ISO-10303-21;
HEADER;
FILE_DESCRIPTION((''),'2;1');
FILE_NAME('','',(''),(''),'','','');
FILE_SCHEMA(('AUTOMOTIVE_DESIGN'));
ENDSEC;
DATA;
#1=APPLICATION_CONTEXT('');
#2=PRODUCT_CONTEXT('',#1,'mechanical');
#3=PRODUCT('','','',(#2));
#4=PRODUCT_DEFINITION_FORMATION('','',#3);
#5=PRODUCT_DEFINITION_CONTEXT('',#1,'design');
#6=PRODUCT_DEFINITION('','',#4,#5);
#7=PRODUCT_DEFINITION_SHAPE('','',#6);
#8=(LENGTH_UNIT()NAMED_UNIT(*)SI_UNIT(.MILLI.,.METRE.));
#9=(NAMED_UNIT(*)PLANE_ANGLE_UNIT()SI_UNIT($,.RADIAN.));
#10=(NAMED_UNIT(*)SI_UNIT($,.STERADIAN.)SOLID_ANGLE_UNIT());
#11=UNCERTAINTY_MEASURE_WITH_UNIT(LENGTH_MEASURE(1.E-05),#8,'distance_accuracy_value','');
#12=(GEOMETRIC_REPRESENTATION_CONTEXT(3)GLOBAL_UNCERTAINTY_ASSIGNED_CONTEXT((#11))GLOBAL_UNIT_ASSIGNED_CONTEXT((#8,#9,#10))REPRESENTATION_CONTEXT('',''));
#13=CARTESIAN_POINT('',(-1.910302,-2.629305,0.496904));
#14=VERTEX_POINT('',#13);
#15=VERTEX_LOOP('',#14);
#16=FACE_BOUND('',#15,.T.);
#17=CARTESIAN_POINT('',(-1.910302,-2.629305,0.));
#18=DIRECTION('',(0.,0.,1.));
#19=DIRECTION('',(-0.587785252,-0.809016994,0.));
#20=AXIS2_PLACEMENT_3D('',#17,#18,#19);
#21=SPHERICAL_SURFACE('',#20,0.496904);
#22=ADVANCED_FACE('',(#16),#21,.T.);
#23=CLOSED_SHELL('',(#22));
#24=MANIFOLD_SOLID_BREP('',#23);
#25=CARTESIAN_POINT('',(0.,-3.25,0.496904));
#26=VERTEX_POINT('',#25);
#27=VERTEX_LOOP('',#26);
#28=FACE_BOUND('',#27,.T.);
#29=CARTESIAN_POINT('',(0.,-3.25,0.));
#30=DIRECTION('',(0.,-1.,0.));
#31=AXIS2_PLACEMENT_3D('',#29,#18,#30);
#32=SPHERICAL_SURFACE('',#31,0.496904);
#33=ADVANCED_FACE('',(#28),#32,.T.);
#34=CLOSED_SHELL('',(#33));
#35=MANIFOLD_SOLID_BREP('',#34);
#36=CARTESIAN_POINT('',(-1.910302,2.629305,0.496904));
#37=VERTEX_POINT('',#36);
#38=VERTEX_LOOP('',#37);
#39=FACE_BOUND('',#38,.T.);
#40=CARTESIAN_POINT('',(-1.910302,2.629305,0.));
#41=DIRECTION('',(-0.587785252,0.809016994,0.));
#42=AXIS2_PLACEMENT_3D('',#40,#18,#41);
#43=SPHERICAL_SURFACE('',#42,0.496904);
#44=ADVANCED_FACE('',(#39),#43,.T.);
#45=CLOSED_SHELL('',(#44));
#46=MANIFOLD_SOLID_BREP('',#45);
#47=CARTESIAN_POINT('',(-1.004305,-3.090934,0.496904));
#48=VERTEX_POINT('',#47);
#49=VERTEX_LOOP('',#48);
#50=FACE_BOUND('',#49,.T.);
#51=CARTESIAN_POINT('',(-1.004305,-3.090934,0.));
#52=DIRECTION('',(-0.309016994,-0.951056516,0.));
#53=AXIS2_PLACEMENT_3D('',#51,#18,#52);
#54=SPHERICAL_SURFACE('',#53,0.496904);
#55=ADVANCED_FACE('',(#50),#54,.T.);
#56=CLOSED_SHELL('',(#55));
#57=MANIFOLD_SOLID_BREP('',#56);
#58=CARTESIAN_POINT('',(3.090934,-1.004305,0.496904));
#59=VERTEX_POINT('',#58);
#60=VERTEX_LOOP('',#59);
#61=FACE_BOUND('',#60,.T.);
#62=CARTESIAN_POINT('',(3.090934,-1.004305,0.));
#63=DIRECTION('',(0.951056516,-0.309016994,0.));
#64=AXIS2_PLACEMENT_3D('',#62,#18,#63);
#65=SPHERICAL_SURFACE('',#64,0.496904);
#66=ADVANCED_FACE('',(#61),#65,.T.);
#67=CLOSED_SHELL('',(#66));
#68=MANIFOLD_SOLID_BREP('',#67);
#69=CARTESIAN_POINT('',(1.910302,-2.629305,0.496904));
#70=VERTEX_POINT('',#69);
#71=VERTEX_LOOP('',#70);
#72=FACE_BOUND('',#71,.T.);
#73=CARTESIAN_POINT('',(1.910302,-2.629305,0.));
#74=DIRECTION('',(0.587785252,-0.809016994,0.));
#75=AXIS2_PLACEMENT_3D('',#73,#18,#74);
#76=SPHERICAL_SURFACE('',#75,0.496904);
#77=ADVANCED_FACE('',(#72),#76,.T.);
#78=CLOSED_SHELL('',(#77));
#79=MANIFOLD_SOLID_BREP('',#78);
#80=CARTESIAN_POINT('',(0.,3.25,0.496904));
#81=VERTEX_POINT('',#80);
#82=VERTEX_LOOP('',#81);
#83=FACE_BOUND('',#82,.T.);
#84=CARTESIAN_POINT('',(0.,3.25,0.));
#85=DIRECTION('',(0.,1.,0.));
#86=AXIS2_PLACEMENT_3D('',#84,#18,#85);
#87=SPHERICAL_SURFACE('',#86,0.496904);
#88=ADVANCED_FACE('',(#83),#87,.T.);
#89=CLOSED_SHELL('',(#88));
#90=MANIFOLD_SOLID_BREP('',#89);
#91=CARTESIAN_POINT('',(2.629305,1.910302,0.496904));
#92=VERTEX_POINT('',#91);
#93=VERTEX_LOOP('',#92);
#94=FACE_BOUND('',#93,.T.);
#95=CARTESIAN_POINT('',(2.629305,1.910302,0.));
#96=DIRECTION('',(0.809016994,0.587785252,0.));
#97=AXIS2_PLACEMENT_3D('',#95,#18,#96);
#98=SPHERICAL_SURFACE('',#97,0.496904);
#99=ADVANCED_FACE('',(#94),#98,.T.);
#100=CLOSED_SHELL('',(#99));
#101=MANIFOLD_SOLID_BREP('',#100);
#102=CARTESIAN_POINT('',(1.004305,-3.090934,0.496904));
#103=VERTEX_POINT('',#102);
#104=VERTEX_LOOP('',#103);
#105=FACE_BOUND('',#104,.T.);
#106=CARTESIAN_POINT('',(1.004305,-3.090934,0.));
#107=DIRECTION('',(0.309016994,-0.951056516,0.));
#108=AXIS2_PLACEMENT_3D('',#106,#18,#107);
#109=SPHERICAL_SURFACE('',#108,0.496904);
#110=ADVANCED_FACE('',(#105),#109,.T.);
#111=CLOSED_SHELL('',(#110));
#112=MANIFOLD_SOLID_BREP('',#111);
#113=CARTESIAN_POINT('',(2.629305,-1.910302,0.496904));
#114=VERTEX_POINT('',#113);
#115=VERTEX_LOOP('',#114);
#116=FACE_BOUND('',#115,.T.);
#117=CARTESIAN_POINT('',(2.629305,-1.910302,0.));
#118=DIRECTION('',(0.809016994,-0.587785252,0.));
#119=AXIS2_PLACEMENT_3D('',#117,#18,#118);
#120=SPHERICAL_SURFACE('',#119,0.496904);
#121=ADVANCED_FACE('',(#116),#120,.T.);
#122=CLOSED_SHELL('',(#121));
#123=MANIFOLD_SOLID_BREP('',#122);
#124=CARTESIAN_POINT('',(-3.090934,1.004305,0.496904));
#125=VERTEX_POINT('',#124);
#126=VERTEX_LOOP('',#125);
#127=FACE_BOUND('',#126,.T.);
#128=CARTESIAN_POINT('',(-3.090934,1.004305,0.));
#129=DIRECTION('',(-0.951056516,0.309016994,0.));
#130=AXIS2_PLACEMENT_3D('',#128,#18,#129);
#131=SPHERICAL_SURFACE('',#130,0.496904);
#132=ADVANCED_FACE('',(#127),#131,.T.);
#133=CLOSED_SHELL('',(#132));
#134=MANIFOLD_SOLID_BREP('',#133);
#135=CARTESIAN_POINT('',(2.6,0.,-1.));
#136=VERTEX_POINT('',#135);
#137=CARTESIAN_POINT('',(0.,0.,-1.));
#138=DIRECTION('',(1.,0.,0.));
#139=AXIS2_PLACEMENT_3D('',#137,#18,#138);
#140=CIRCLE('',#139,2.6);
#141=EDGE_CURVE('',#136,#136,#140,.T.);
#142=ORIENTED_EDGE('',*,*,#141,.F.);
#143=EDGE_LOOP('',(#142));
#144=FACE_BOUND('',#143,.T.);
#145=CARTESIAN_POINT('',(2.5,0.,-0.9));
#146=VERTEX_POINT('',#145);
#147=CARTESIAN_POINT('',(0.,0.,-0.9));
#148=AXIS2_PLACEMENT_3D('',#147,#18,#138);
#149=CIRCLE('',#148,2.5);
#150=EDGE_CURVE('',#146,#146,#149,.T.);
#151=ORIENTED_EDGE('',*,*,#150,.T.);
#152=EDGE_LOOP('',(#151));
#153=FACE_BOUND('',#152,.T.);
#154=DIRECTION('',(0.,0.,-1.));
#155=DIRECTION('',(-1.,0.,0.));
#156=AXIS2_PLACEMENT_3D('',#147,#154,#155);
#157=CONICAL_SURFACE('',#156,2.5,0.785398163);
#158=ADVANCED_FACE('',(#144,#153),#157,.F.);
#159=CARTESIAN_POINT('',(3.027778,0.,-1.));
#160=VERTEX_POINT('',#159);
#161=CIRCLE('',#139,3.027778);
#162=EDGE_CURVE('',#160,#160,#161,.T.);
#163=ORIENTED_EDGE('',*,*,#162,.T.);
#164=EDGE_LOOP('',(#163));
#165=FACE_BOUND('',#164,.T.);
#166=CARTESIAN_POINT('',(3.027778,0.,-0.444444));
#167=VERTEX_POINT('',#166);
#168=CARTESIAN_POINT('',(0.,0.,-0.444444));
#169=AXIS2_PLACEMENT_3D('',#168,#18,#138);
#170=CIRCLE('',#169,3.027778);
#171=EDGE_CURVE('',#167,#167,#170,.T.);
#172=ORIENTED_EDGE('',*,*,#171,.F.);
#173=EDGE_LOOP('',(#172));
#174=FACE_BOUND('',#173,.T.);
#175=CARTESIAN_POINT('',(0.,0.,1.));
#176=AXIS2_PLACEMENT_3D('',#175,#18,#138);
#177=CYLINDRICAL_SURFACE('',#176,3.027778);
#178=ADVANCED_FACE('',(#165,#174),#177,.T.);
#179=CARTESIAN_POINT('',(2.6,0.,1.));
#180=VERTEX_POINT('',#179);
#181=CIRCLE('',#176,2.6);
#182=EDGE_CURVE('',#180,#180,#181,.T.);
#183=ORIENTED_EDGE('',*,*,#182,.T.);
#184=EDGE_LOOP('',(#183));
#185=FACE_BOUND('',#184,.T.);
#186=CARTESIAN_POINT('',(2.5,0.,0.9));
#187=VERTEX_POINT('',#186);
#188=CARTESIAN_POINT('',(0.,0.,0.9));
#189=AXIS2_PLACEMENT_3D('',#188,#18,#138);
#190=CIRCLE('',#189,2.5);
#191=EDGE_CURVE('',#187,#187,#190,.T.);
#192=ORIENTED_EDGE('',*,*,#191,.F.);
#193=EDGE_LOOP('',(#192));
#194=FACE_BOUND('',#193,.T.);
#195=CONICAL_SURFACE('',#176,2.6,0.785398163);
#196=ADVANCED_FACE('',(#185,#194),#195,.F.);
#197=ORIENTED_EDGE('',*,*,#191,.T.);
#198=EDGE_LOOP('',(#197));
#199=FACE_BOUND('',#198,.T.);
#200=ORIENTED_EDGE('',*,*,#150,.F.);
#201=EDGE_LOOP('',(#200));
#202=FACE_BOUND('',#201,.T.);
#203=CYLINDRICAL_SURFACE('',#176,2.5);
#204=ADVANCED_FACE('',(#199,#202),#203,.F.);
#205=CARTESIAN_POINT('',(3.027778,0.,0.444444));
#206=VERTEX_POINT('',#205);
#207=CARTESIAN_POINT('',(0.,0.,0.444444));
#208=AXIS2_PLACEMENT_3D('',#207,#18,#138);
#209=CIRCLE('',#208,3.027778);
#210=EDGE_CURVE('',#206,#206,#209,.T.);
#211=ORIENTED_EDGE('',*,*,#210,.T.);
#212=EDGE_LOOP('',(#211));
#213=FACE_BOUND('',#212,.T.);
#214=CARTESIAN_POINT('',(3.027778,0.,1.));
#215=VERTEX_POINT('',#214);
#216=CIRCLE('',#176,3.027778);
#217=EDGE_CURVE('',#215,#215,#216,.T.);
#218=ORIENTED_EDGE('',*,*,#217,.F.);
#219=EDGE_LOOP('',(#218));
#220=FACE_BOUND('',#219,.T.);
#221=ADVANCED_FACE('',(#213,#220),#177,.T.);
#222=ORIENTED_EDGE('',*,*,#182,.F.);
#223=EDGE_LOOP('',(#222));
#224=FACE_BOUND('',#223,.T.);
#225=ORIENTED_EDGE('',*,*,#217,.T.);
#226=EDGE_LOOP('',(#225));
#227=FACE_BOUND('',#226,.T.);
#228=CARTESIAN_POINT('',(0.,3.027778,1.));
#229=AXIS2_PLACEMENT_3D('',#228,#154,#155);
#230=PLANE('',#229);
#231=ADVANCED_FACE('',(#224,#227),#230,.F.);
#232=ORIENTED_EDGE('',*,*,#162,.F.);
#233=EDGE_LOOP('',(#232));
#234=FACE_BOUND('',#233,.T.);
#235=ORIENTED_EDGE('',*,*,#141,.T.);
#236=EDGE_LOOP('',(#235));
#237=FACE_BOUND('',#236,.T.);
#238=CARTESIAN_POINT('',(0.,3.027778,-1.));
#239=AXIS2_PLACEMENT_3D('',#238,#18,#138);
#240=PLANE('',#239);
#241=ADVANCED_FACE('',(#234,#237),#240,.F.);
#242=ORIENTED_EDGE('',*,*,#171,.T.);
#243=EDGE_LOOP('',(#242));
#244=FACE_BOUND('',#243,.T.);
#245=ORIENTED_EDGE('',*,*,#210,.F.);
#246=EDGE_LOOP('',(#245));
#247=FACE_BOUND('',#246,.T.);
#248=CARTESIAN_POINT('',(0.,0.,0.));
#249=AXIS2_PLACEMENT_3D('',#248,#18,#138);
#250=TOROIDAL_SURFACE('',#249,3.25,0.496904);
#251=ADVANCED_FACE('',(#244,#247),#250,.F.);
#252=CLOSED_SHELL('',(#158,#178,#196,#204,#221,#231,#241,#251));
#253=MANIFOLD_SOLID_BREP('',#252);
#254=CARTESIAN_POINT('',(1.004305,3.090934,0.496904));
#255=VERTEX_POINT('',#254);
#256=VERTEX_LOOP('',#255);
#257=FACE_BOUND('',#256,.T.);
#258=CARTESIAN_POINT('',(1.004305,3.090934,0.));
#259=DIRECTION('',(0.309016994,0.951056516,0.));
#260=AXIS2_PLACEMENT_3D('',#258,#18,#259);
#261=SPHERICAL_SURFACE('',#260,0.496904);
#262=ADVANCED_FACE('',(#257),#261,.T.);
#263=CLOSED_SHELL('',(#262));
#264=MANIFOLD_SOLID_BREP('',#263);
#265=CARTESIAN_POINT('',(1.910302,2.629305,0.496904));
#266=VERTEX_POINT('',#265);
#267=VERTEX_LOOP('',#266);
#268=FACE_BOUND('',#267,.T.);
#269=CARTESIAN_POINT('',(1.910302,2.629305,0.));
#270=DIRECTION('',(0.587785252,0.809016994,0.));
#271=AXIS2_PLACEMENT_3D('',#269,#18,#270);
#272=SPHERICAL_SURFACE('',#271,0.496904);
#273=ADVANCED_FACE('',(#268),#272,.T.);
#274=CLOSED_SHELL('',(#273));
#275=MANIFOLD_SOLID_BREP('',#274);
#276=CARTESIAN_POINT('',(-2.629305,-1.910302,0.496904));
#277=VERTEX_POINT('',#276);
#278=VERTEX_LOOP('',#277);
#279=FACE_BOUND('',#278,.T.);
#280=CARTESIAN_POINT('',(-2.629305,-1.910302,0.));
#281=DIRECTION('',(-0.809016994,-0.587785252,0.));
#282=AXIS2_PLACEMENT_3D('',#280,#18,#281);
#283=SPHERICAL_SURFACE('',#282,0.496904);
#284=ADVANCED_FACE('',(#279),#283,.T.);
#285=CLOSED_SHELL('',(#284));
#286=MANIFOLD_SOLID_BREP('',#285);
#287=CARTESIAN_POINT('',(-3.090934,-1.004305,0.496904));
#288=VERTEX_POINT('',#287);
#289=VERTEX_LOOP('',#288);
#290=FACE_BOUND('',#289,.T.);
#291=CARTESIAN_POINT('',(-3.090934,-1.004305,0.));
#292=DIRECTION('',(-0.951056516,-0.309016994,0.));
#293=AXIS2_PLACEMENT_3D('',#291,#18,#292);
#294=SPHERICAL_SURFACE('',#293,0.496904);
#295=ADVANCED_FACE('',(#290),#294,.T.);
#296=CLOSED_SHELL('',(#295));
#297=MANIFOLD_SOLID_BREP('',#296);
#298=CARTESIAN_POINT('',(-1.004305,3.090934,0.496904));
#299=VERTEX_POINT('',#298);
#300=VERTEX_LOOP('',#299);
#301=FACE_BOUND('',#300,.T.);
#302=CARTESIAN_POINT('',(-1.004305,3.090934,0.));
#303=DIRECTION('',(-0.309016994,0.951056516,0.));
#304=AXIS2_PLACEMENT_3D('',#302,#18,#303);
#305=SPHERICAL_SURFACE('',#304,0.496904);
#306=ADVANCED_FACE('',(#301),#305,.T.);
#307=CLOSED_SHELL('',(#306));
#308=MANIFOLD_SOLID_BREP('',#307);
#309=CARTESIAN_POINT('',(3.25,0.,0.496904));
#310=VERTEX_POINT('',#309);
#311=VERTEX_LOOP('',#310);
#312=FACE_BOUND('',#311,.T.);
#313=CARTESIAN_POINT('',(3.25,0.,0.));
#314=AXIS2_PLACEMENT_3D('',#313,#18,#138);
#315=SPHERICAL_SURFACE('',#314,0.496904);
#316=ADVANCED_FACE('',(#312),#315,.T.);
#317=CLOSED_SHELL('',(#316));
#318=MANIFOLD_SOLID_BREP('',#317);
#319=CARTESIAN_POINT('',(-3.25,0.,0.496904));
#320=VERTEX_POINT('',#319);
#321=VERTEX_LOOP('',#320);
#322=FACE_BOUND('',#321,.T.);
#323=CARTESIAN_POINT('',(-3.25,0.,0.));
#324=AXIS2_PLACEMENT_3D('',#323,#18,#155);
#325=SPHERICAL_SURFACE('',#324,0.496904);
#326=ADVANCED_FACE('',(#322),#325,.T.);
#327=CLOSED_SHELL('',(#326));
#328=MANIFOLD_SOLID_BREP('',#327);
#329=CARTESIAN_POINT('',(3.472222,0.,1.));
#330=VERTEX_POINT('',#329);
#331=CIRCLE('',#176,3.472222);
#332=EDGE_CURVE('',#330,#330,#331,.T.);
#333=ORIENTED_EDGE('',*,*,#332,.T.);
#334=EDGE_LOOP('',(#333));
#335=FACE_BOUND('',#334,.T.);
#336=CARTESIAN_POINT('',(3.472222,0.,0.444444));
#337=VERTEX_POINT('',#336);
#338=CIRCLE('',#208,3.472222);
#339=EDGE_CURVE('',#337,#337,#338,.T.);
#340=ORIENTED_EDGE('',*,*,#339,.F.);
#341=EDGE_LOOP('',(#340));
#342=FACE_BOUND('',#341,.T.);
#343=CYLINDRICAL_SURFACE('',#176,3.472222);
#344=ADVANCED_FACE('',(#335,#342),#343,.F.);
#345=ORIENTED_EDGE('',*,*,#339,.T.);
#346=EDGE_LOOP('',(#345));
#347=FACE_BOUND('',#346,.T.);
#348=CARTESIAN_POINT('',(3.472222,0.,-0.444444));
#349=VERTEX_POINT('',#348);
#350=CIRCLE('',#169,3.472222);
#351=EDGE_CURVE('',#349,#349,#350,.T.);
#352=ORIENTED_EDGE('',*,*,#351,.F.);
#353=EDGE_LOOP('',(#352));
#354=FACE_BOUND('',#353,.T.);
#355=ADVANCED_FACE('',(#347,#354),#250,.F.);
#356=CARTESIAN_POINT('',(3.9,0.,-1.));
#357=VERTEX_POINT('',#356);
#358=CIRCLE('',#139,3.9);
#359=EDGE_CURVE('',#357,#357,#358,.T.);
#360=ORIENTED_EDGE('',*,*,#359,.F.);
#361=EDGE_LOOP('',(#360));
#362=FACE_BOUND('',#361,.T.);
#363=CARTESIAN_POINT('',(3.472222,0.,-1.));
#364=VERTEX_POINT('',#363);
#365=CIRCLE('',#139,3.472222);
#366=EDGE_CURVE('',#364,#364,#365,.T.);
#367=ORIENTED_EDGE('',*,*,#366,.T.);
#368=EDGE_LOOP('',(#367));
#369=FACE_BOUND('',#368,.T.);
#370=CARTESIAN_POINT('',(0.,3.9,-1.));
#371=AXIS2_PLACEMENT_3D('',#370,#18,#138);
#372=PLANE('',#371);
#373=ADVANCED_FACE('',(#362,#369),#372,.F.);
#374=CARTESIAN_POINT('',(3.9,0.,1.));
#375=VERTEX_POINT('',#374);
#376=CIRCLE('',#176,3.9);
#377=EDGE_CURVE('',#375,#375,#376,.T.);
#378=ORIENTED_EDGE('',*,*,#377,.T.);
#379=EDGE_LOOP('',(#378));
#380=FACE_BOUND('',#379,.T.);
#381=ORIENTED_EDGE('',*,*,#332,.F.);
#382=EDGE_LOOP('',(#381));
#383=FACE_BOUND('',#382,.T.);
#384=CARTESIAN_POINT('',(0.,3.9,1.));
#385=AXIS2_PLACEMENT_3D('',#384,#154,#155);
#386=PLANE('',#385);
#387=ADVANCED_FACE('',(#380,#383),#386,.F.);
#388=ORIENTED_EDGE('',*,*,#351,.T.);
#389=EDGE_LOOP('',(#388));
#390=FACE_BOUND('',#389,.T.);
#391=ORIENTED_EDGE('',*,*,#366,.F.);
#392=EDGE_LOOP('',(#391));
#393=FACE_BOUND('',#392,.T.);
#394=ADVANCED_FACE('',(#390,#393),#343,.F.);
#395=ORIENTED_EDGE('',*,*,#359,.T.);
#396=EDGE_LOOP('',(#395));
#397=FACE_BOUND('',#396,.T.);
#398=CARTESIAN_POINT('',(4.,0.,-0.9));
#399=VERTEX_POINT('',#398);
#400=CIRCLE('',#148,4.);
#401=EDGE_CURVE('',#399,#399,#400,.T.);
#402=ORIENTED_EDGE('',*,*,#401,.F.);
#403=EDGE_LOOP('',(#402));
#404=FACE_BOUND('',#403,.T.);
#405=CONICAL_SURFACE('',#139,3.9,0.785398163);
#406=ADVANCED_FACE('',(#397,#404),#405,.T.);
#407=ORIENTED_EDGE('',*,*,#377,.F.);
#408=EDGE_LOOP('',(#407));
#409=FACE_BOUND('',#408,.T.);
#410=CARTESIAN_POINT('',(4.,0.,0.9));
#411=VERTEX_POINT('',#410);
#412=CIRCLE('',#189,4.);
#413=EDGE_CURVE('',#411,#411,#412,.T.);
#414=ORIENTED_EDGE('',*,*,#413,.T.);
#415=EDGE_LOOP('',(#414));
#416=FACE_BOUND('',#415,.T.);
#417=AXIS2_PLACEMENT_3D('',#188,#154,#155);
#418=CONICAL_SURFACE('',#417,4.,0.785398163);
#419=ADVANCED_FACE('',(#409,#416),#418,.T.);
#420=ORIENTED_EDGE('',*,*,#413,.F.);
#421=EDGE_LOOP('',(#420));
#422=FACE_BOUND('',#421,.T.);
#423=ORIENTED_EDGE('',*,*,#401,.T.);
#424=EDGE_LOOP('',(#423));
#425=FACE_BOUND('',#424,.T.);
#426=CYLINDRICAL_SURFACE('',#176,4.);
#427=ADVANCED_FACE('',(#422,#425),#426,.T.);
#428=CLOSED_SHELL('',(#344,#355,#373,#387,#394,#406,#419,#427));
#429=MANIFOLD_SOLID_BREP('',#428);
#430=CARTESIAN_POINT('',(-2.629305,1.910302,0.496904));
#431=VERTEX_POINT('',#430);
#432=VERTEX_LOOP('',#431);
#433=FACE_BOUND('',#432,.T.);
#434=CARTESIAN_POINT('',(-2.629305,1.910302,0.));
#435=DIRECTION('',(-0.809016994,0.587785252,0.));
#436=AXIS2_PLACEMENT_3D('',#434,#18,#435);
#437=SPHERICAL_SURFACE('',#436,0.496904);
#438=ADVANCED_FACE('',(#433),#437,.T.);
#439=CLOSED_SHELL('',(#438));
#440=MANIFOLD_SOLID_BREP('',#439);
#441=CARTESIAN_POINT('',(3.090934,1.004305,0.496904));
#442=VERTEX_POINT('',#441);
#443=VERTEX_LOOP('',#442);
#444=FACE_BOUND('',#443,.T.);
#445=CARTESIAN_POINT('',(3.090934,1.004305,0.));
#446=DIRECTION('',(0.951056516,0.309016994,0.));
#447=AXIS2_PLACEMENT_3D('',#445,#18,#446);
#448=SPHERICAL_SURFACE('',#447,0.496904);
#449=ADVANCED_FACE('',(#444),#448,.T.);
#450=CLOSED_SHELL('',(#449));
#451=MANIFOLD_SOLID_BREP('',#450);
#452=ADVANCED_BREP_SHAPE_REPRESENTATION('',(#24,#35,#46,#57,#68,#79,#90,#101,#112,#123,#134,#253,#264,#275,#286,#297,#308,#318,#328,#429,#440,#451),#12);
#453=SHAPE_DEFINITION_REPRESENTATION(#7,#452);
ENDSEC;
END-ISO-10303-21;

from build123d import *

# Parameters (mm, degrees)
CIRPATTERN1_COUNT = 20


with BuildPart() as part:
    # Sketch2 → Revolve1 (revolve)
    with BuildSketch(Plane(origin=(0, 0, 0), x_dir=(0, 0, -1), z_dir=(1, 0, 0))):
        with BuildLine():
            Line((-1, 3.027777778), (-0.444444444, 3.027777778))
            ThreePointArc((-0.444444444, 3.027777778), (0, 2.753096005), (0.444444444, 3.027777778))
            Line((0.444444444, 3.027777778), (1, 3.027777778))
            Line((1, 3.027777778), (1, 2.6))
            Line((1, 2.6), (0.9, 2.5))
            Line((0.9, 2.5), (-0.9, 2.5))
            Line((-0.9, 2.5), (-1, 2.6))
            Line((-1, 2.6), (-1, 3.027777778))
        make_face()
        with BuildLine():
            Line((0.9, 4), (1, 3.9))
            Line((1, 3.9), (1, 3.472222222))
            Line((1, 3.472222222), (0.444444444, 3.472222222))
            ThreePointArc((0.444444444, 3.472222222), (0, 3.746903995), (-0.444444444, 3.472222222))
            Line((-0.444444444, 3.472222222), (-1, 3.472222222))
            Line((-1, 3.472222222), (-1, 3.9))
            Line((-1, 3.9), (-0.9, 4))
            Line((-0.9, 4), (0.9, 4))
        make_face()
    revolve(axis=Axis((0, 0, 1), (0, 0, -1)))


with BuildPart() as body_2:
    # Sketch3 → Revolve2 (revolve)
    with BuildSketch(Plane(origin=(0, 0, 0), x_dir=(0, 0, -1), z_dir=(1, 0, 0))):
        with BuildLine():
            Line((-0.496903995, 3.25), (0.496903995, 3.25))
            ThreePointArc((0.496903995, 3.25), (0, 3.746903995), (-0.496903995, 3.25))
        make_face()
    revolve(axis=Axis((0, 3.25, 0.496903995), (0, 0, -1)))


with BuildPart() as cirpattern1_1:
    # CirPattern1: pattern copy
    add(body_2.part.rotate(Axis((0, 0, -1), (0, 0, 1)), 1 * 360 / CIRPATTERN1_COUNT))


with BuildPart() as cirpattern1_2:
    # CirPattern1: pattern copy
    add(body_2.part.rotate(Axis((0, 0, -1), (0, 0, 1)), 2 * 360 / CIRPATTERN1_COUNT))


with BuildPart() as cirpattern1_3:
    # CirPattern1: pattern copy
    add(body_2.part.rotate(Axis((0, 0, -1), (0, 0, 1)), 3 * 360 / CIRPATTERN1_COUNT))


with BuildPart() as cirpattern1_4:
    # CirPattern1: pattern copy
    add(body_2.part.rotate(Axis((0, 0, -1), (0, 0, 1)), 4 * 360 / CIRPATTERN1_COUNT))


with BuildPart() as cirpattern1_5:
    # CirPattern1: pattern copy
    add(body_2.part.rotate(Axis((0, 0, -1), (0, 0, 1)), 5 * 360 / CIRPATTERN1_COUNT))


with BuildPart() as cirpattern1_6:
    # CirPattern1: pattern copy
    add(body_2.part.rotate(Axis((0, 0, -1), (0, 0, 1)), 6 * 360 / CIRPATTERN1_COUNT))


with BuildPart() as cirpattern1_7:
    # CirPattern1: pattern copy
    add(body_2.part.rotate(Axis((0, 0, -1), (0, 0, 1)), 7 * 360 / CIRPATTERN1_COUNT))


with BuildPart() as cirpattern1_8:
    # CirPattern1: pattern copy
    add(body_2.part.rotate(Axis((0, 0, -1), (0, 0, 1)), 8 * 360 / CIRPATTERN1_COUNT))


with BuildPart() as cirpattern1_9:
    # CirPattern1: pattern copy
    add(body_2.part.rotate(Axis((0, 0, -1), (0, 0, 1)), 9 * 360 / CIRPATTERN1_COUNT))


with BuildPart() as cirpattern1_10:
    # CirPattern1: pattern copy
    add(body_2.part.rotate(Axis((0, 0, -1), (0, 0, 1)), 10 * 360 / CIRPATTERN1_COUNT))


with BuildPart() as cirpattern1_11:
    # CirPattern1: pattern copy
    add(body_2.part.rotate(Axis((0, 0, -1), (0, 0, 1)), 11 * 360 / CIRPATTERN1_COUNT))


with BuildPart() as cirpattern1_12:
    # CirPattern1: pattern copy
    add(body_2.part.rotate(Axis((0, 0, -1), (0, 0, 1)), 12 * 360 / CIRPATTERN1_COUNT))


with BuildPart() as cirpattern1_13:
    # CirPattern1: pattern copy
    add(body_2.part.rotate(Axis((0, 0, -1), (0, 0, 1)), 13 * 360 / CIRPATTERN1_COUNT))


with BuildPart() as cirpattern1_14:
    # CirPattern1: pattern copy
    add(body_2.part.rotate(Axis((0, 0, -1), (0, 0, 1)), 14 * 360 / CIRPATTERN1_COUNT))


with BuildPart() as cirpattern1_15:
    # CirPattern1: pattern copy
    add(body_2.part.rotate(Axis((0, 0, -1), (0, 0, 1)), 15 * 360 / CIRPATTERN1_COUNT))


with BuildPart() as cirpattern1_16:
    # CirPattern1: pattern copy
    add(body_2.part.rotate(Axis((0, 0, -1), (0, 0, 1)), 16 * 360 / CIRPATTERN1_COUNT))


with BuildPart() as cirpattern1_17:
    # CirPattern1: pattern copy
    add(body_2.part.rotate(Axis((0, 0, -1), (0, 0, 1)), 17 * 360 / CIRPATTERN1_COUNT))


with BuildPart() as cirpattern1_18:
    # CirPattern1: pattern copy
    add(body_2.part.rotate(Axis((0, 0, -1), (0, 0, 1)), 18 * 360 / CIRPATTERN1_COUNT))


with BuildPart() as cirpattern1_19:
    # CirPattern1: pattern copy
    add(body_2.part.rotate(Axis((0, 0, -1), (0, 0, 1)), 19 * 360 / CIRPATTERN1_COUNT))


solid = Compound([part.part, body_2.part, cirpattern1_1.part, cirpattern1_2.part, cirpattern1_3.part, cirpattern1_4.part, cirpattern1_5.part, cirpattern1_6.part, cirpattern1_7.part, cirpattern1_8.part, cirpattern1_9.part, cirpattern1_10.part, cirpattern1_11.part, cirpattern1_12.part, cirpattern1_13.part, cirpattern1_14.part, cirpattern1_15.part, cirpattern1_16.part, cirpattern1_17.part, cirpattern1_18.part, cirpattern1_19.part])
